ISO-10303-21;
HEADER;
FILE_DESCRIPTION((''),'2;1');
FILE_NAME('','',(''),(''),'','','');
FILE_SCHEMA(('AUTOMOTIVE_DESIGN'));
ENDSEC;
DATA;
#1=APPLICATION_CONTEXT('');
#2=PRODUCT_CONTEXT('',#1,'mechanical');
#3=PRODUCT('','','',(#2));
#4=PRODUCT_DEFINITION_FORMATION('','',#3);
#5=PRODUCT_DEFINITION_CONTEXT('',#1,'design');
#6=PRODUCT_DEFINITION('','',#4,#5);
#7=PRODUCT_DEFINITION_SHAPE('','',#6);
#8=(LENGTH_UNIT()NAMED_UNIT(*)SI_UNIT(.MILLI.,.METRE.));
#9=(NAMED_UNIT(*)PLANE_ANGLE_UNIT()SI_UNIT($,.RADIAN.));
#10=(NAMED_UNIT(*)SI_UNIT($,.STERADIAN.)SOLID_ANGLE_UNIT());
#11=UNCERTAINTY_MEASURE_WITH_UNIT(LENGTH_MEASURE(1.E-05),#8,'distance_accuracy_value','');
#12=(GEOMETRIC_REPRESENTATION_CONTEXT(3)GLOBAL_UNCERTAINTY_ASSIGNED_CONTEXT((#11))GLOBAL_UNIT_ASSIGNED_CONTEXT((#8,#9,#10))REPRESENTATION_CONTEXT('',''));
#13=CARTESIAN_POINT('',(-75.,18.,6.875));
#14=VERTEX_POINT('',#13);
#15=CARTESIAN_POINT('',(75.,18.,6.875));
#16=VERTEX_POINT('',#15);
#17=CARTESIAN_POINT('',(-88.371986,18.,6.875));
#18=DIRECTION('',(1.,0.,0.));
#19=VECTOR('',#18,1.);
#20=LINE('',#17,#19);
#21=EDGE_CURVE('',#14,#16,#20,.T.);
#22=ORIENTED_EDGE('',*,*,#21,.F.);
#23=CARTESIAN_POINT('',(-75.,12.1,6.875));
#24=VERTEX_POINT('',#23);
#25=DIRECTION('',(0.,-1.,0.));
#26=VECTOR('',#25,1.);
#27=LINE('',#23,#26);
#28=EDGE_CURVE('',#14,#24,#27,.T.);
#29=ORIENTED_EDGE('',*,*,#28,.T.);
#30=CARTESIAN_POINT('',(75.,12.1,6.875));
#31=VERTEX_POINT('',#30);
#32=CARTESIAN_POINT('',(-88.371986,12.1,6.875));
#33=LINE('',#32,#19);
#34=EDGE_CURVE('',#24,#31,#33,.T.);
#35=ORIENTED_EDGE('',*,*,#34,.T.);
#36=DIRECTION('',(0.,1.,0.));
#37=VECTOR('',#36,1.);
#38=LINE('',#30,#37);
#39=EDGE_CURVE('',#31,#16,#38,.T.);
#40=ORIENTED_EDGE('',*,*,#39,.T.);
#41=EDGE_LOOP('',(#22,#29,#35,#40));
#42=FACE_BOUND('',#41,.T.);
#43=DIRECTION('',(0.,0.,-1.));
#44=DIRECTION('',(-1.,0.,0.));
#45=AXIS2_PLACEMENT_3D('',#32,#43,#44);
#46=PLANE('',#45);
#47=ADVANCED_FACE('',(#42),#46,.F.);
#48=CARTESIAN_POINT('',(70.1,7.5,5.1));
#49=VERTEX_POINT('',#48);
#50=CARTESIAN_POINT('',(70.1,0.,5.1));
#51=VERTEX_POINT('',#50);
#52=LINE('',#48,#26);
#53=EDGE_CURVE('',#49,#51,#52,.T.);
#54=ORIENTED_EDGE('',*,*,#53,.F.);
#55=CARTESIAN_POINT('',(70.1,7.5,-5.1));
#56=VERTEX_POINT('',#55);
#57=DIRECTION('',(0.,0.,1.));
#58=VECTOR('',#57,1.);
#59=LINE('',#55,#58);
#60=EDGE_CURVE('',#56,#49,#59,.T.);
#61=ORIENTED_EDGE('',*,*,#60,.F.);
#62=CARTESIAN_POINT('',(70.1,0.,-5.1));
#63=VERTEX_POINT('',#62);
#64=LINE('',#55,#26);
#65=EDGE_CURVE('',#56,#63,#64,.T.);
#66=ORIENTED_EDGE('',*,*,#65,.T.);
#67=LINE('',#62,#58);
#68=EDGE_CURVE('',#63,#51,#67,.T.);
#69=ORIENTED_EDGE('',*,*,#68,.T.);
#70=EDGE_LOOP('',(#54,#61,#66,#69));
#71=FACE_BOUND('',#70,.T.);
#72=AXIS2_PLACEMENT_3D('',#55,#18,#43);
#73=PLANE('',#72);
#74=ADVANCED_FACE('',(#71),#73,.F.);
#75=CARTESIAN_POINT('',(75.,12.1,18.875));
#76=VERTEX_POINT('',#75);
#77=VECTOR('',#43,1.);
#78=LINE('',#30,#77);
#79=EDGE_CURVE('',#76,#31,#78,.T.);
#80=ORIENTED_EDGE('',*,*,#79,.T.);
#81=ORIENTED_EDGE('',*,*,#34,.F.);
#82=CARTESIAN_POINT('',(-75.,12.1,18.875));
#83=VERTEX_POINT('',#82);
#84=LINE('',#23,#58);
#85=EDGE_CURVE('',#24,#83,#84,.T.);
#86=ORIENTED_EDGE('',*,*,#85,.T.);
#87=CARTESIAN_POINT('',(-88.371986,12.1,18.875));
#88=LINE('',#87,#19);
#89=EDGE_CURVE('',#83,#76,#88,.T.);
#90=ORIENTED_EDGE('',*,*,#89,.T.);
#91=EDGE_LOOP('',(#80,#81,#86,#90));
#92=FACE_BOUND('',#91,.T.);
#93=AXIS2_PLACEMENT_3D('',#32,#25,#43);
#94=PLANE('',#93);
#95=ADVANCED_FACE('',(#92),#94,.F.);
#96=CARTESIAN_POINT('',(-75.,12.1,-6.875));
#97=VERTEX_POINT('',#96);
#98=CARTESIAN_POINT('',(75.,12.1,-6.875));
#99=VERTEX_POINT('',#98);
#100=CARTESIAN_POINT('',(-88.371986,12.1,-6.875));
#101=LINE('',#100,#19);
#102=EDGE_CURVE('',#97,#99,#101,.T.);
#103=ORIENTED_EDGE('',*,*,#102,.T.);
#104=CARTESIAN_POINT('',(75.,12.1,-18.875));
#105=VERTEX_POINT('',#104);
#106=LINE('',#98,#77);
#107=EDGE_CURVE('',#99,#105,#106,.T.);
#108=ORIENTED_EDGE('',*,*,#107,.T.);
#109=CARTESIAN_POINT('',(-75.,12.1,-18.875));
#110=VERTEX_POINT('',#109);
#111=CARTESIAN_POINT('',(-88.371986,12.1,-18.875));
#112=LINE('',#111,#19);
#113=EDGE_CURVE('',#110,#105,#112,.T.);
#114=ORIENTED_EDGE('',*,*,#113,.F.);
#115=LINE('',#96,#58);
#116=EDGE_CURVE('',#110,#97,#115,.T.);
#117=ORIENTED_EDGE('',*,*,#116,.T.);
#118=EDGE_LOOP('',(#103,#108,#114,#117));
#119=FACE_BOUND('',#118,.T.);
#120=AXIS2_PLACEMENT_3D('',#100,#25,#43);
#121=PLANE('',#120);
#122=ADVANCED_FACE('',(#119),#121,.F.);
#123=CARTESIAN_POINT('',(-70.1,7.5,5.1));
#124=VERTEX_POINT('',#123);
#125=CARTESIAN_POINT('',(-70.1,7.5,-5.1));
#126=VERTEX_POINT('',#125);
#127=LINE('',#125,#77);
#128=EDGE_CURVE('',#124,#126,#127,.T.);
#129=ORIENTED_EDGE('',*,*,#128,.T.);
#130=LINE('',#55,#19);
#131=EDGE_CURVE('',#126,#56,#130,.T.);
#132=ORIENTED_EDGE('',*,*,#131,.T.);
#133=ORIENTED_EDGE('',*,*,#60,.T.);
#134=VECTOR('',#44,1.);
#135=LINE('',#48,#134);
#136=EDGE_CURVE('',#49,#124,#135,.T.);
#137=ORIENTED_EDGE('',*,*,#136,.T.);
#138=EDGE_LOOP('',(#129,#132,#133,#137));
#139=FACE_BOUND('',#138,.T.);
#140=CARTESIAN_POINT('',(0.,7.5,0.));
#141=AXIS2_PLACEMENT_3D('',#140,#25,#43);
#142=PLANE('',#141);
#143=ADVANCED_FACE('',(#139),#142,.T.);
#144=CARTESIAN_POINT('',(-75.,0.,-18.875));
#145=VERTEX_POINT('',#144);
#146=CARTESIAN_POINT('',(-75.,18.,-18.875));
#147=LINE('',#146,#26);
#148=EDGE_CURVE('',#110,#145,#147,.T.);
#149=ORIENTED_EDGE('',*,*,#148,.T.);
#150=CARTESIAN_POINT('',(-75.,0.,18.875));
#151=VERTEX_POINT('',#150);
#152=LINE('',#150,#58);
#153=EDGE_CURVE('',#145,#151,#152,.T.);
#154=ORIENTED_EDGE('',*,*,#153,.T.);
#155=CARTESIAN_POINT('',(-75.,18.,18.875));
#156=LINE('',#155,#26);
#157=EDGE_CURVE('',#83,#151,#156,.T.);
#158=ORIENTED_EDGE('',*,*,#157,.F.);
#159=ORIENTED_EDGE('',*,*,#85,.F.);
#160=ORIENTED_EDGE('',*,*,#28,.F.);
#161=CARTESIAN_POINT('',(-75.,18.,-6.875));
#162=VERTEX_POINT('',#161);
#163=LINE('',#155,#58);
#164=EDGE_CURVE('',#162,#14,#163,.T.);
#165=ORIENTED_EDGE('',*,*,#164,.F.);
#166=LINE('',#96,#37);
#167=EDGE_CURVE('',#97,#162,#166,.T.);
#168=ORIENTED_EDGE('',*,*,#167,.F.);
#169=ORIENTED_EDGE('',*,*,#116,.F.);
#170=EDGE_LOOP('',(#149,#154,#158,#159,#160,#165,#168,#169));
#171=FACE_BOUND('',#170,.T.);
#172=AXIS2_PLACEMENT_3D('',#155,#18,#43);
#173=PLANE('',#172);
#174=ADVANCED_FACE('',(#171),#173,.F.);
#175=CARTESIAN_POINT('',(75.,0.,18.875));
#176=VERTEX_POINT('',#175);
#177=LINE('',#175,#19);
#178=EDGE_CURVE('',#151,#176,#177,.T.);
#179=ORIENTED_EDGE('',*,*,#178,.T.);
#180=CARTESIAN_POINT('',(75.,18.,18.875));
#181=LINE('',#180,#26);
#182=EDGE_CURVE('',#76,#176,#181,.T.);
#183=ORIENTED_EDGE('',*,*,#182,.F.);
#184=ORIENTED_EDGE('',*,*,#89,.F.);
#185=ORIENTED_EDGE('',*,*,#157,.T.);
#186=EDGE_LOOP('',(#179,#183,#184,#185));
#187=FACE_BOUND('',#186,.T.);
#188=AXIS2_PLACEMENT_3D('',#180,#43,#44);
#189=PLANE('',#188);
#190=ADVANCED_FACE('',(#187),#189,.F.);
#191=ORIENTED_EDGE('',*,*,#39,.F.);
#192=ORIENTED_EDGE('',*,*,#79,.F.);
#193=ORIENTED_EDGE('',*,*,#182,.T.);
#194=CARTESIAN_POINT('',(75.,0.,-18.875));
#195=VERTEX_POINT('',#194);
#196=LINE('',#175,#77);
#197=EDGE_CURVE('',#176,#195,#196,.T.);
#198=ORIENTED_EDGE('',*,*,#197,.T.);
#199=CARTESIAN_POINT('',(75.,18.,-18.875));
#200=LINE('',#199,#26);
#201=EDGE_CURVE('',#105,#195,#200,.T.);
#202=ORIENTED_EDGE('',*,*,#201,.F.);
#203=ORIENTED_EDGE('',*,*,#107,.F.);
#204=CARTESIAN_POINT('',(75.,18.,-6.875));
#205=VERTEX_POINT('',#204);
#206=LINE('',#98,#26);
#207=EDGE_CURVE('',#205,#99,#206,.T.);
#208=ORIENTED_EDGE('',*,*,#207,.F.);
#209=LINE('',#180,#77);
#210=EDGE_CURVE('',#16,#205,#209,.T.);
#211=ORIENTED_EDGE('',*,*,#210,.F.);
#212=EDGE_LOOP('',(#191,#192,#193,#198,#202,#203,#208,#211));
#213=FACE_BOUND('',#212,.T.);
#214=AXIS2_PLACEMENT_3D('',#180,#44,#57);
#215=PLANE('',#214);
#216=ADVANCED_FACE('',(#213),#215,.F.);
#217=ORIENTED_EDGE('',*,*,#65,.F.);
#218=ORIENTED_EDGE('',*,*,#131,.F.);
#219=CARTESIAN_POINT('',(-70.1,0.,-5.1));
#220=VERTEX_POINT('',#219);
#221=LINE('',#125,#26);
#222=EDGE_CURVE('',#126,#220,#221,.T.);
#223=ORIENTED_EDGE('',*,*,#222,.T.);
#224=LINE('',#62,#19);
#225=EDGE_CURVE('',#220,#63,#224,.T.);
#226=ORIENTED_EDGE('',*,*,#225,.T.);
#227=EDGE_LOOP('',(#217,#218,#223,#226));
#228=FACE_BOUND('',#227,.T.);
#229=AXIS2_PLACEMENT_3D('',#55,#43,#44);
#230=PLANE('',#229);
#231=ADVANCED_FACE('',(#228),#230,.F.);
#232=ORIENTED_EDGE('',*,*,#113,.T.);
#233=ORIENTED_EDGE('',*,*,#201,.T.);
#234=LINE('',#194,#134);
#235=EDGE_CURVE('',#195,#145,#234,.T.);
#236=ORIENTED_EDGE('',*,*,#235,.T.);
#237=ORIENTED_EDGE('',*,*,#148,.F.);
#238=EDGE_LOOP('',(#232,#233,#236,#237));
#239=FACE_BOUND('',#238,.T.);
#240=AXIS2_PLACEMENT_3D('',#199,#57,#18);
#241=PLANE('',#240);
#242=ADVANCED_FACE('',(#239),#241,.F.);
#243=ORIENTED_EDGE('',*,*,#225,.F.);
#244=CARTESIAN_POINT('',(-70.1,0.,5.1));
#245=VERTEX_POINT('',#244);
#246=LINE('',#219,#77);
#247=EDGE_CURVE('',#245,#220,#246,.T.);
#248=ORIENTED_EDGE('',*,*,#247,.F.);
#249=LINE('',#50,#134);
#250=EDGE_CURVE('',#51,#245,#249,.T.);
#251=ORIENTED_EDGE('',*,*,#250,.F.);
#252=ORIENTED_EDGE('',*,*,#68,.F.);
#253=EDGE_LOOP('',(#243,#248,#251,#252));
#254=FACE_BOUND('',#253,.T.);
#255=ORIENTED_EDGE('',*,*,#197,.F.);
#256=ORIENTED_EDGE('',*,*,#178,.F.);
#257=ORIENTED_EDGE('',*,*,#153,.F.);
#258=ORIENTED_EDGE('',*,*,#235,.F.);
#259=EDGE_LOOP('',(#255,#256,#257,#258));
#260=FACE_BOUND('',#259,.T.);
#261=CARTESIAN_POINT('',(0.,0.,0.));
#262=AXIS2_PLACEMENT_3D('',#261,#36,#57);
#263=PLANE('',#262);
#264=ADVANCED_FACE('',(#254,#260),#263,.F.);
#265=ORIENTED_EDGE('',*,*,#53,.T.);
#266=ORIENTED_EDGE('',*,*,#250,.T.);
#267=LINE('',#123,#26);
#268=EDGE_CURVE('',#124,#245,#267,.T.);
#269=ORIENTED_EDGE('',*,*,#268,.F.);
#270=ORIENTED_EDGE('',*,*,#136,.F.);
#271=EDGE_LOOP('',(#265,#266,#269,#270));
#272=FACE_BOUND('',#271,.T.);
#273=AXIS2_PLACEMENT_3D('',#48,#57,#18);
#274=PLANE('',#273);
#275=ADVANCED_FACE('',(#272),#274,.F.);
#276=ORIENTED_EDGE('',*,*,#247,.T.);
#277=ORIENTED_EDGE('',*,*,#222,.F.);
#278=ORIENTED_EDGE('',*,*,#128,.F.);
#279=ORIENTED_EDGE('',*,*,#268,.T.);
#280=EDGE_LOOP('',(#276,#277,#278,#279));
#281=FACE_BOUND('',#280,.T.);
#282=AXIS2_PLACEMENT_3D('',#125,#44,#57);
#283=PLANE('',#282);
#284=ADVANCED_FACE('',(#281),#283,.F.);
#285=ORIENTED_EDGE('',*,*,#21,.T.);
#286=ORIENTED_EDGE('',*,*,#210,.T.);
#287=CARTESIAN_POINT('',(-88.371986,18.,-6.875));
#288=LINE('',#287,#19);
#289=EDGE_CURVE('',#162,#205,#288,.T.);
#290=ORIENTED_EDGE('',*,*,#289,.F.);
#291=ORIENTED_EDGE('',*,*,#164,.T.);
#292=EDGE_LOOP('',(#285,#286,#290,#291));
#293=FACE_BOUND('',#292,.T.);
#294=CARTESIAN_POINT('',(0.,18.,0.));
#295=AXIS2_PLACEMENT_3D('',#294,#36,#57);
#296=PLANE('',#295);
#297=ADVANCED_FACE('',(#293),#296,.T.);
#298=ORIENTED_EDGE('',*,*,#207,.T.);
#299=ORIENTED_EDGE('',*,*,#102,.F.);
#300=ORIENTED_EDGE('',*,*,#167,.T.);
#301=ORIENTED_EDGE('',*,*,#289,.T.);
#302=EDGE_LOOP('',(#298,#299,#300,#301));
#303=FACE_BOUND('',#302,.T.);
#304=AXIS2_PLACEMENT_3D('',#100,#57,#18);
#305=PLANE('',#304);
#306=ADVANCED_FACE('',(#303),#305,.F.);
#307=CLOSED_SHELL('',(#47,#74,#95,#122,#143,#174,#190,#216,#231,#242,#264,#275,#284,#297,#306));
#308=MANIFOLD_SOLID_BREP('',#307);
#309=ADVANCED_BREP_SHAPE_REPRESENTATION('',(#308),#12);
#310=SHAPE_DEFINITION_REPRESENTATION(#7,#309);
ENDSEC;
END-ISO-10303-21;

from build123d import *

# Parameters (mm, degrees)
SKETCH1_W           = 150
SKETCH1_H           = 37.75
BOSS_EXTRUDE1_DEPTH = 18
SKETCH2_W           = 12
SKETCH2_H           = 5.9
CUT_EXTRUDE1_DEPTH  = 150
SKETCH3_W           = 12
SKETCH3_H           = 5.9
CUT_EXTRUDE2_DEPTH  = 150
SKETCH4_W           = 140.2
SKETCH4_H           = 10.2
CUT_EXTRUDE3_DEPTH  = 7.5


with BuildPart() as part:
    # Sketch1 → Boss-Extrude1 (new body)
    with BuildSketch(Plane(origin=(0, 0, 0), x_dir=(1, 0, 0), z_dir=(0, 1, 0))):
        Rectangle(SKETCH1_W, SKETCH1_H)
    extrude(amount=BOSS_EXTRUDE1_DEPTH)

    # Sketch2 → Cut-Extrude1 (cut)
    with BuildSketch(Plane(origin=(75, 0, 0), x_dir=(0, 0, -1), z_dir=(1, 0, 0))):
        with Locations((-12.875, 15.05)):
            Rectangle(SKETCH2_W, SKETCH2_H)
    extrude(amount=-CUT_EXTRUDE1_DEPTH, mode=Mode.SUBTRACT)

    # Sketch3 → Cut-Extrude2 (cut)
    with BuildSketch(Plane(origin=(75, 0, 0), x_dir=(0, 0, -1), z_dir=(1, 0, 0))):
        with Locations((12.875, 15.05)):
            Rectangle(SKETCH3_W, SKETCH3_H)
    extrude(amount=-CUT_EXTRUDE2_DEPTH, mode=Mode.SUBTRACT)

    # Sketch4 → Cut-Extrude3 (cut)
    with BuildSketch(Plane.XZ):
        Rectangle(SKETCH4_W, SKETCH4_H)
    extrude(amount=-CUT_EXTRUDE3_DEPTH, mode=Mode.SUBTRACT)


solid = part.part
